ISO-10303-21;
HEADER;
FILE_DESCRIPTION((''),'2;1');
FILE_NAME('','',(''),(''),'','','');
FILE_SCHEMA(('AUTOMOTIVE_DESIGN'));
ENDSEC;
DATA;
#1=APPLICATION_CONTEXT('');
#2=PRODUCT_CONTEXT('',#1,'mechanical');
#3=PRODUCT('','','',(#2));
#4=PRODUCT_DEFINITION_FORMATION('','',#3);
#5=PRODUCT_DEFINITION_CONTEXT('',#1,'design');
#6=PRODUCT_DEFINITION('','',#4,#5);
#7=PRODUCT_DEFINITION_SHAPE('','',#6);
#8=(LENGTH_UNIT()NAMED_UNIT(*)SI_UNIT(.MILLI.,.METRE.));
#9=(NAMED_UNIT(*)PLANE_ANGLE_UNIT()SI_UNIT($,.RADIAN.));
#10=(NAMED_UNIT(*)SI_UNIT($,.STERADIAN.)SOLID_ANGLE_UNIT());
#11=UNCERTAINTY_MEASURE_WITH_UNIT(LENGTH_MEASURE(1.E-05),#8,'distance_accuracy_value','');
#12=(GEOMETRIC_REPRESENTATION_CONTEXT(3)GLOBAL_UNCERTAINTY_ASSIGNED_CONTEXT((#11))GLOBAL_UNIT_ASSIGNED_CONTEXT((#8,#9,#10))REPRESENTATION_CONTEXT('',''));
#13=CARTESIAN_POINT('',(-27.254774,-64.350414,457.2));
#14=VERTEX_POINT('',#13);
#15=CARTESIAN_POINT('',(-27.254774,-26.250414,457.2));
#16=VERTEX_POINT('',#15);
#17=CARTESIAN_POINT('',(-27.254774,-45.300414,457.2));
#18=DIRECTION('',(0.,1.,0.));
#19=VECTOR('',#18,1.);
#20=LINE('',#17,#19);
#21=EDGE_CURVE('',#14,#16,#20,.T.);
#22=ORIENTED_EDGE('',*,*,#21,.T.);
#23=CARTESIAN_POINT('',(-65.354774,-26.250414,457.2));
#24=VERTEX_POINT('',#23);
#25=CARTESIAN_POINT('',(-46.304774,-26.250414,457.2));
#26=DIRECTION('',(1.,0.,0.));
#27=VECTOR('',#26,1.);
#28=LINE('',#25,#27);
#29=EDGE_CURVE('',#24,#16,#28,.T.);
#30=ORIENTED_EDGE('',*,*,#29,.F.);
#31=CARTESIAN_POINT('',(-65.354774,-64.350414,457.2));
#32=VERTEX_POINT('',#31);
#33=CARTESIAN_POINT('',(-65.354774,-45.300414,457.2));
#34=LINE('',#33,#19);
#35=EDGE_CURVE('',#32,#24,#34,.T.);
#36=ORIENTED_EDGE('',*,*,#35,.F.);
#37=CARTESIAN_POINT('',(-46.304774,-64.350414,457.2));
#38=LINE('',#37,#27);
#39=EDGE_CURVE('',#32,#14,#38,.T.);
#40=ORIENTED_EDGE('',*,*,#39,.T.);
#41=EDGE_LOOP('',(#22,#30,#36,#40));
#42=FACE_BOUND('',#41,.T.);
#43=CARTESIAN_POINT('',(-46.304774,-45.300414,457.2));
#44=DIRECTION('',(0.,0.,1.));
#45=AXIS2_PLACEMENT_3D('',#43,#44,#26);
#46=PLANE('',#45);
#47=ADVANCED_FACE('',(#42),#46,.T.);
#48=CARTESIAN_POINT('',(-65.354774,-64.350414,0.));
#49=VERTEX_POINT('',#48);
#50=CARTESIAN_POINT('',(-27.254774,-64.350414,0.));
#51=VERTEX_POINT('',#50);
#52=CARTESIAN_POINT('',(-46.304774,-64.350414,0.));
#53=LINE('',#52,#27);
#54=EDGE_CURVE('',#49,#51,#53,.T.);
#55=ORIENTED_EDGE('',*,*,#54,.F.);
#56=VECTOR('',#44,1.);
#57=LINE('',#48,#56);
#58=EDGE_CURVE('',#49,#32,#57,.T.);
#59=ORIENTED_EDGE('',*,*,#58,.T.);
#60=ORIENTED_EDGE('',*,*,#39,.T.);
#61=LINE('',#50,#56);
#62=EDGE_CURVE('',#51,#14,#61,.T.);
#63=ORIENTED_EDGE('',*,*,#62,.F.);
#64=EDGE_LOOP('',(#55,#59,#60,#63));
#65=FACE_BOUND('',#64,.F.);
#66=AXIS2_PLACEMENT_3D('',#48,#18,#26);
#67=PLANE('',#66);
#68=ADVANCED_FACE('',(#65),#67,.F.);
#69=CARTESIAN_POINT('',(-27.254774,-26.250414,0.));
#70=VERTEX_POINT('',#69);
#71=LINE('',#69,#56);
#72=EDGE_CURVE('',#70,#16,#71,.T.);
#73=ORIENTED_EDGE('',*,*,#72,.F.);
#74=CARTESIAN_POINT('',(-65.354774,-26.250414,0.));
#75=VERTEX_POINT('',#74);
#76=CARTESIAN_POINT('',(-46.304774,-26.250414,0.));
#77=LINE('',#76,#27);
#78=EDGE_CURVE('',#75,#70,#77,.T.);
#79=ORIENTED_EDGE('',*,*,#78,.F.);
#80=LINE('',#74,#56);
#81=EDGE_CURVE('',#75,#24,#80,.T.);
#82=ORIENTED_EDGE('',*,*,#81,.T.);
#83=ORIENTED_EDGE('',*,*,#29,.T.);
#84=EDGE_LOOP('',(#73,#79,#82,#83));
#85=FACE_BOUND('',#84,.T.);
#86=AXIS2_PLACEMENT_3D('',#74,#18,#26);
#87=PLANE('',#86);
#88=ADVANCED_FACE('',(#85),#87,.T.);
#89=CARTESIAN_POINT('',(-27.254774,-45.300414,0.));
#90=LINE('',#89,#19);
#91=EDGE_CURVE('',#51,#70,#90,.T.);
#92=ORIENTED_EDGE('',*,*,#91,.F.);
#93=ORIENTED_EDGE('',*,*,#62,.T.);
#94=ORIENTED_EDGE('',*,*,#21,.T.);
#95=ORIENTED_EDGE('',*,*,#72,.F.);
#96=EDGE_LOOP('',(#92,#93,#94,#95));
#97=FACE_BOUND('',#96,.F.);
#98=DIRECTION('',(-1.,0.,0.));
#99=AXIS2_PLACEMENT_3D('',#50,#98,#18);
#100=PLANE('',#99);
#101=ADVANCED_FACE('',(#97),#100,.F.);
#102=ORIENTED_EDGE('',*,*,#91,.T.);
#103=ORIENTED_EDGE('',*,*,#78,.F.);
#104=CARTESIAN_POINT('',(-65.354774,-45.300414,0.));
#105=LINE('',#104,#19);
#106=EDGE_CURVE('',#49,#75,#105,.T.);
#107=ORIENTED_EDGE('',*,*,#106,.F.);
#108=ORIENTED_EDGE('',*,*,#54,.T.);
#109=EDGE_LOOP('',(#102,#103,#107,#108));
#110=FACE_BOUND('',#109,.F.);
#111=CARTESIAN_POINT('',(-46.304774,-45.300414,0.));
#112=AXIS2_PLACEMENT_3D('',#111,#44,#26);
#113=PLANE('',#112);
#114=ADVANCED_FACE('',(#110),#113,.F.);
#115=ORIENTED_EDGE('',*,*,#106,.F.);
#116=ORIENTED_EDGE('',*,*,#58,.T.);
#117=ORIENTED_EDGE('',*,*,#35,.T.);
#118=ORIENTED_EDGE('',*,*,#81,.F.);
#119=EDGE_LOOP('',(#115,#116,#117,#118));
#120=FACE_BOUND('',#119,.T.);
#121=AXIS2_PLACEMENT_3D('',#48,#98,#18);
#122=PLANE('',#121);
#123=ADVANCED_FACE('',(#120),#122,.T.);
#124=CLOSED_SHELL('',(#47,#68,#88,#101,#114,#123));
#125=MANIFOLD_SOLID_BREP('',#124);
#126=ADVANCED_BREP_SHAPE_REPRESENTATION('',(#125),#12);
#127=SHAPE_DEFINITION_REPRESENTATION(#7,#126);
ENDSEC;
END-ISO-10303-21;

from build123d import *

# Parameters (mm, degrees)
F0_W     = 6.994385
F0_H     = 7.487355
F1_DEPTH = 38.1
F2_W     = 38.1
F2_H     = 38.1
F3_DEPTH = 457.2


with BuildPart() as f1:
    # F0 (on Top) → F1 (new body)
    with BuildSketch(Plane.XY):
        with Locations((46.358182, 8.891652)):
            Rectangle(F0_W, F0_H)
    extrude(amount=F1_DEPTH)


with BuildPart() as f3:
    # F2 (on Top) → F3 (new body)
    with BuildSketch(Plane.XY):
        with Locations((-46.304774, -45.300414)):
            Rectangle(F2_W, F2_H)
    extrude(amount=F3_DEPTH)


solid = f3.part
